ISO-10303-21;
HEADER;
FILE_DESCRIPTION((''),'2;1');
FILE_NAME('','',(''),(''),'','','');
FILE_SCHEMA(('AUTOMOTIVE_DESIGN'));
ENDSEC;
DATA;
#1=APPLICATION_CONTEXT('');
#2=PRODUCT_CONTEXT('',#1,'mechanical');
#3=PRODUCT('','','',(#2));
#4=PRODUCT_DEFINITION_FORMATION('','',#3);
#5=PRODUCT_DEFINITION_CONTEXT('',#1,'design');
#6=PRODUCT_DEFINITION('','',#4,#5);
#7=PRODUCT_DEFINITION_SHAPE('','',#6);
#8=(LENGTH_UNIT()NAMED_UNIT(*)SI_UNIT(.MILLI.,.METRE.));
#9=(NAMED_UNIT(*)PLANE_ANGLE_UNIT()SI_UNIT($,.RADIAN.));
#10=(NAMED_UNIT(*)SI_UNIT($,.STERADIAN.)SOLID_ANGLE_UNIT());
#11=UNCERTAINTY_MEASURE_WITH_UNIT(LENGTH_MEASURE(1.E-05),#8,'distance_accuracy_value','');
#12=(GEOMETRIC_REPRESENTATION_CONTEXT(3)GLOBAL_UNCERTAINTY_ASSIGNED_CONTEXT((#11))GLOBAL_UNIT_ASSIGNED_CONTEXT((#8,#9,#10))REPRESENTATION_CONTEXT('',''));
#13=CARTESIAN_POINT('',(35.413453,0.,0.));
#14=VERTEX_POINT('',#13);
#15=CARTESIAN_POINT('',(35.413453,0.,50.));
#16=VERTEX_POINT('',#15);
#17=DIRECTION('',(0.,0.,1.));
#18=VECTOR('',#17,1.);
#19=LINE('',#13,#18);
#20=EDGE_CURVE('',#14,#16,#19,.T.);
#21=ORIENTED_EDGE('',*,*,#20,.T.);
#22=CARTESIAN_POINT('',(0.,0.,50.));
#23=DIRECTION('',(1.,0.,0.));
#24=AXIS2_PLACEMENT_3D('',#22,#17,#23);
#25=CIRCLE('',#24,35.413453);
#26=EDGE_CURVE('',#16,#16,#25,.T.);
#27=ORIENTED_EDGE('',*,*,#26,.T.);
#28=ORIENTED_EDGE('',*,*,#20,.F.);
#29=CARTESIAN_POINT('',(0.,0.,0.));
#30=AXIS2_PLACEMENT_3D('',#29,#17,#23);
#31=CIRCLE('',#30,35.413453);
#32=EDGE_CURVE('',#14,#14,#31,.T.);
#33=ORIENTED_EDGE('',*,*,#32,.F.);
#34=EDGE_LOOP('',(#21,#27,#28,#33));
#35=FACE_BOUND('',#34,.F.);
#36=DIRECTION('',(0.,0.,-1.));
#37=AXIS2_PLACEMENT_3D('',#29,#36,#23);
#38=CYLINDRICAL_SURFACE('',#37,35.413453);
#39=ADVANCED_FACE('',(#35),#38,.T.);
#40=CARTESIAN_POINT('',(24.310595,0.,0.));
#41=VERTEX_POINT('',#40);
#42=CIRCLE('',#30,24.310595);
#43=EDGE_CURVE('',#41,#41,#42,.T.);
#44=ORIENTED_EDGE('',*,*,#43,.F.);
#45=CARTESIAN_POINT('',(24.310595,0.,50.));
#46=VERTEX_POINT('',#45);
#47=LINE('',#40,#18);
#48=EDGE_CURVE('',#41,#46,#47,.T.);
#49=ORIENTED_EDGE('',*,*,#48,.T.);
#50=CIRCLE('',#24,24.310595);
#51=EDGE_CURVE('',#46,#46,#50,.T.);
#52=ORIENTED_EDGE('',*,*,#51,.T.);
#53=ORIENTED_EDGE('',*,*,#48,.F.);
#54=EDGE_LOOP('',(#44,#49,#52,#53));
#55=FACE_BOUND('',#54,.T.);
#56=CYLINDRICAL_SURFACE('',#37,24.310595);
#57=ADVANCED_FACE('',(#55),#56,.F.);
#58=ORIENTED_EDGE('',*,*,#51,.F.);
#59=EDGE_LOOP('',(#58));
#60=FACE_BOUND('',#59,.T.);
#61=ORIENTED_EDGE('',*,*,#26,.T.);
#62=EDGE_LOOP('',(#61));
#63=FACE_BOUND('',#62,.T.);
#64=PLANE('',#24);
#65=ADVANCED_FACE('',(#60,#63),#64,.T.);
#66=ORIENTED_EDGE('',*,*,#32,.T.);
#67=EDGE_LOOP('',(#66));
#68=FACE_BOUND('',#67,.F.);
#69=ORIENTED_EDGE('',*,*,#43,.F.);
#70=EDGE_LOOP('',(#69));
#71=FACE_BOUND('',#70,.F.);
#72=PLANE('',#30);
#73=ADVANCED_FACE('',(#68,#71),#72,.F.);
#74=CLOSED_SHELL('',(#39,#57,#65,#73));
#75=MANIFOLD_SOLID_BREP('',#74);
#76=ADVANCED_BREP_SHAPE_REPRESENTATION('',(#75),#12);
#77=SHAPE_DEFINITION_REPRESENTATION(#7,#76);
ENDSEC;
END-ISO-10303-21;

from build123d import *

# Parameters (mm, degrees)
F0_R     = 35.413453
F1_DEPTH = 50
F2_R     = 30.967597
F3_DEPTH = 50
F4_R     = 30.405433
F5_DEPTH = 50
F6_R     = 24.310595
F7_DEPTH = 50


with BuildPart() as f1:
    # F0 (on Top) → F1 (new body)
    with BuildSketch(Plane.XY):
        Circle(F0_R)
    extrude(amount=F1_DEPTH)

    # F2 (on Top) → F3 (cut)
    with BuildSketch(Plane.XY):
        Circle(F2_R)
    extrude(amount=-F3_DEPTH, mode=Mode.SUBTRACT)

    # F4 (on Top) → F5 (cut)
    with BuildSketch(Plane.XY):
        Circle(F4_R)
    extrude(amount=-F5_DEPTH, mode=Mode.SUBTRACT)

    # F6 (on Top) → F7 (cut)
    with BuildSketch(Plane.XY):
        Circle(F6_R)
    extrude(amount=F7_DEPTH, mode=Mode.SUBTRACT)


solid = f1.part
